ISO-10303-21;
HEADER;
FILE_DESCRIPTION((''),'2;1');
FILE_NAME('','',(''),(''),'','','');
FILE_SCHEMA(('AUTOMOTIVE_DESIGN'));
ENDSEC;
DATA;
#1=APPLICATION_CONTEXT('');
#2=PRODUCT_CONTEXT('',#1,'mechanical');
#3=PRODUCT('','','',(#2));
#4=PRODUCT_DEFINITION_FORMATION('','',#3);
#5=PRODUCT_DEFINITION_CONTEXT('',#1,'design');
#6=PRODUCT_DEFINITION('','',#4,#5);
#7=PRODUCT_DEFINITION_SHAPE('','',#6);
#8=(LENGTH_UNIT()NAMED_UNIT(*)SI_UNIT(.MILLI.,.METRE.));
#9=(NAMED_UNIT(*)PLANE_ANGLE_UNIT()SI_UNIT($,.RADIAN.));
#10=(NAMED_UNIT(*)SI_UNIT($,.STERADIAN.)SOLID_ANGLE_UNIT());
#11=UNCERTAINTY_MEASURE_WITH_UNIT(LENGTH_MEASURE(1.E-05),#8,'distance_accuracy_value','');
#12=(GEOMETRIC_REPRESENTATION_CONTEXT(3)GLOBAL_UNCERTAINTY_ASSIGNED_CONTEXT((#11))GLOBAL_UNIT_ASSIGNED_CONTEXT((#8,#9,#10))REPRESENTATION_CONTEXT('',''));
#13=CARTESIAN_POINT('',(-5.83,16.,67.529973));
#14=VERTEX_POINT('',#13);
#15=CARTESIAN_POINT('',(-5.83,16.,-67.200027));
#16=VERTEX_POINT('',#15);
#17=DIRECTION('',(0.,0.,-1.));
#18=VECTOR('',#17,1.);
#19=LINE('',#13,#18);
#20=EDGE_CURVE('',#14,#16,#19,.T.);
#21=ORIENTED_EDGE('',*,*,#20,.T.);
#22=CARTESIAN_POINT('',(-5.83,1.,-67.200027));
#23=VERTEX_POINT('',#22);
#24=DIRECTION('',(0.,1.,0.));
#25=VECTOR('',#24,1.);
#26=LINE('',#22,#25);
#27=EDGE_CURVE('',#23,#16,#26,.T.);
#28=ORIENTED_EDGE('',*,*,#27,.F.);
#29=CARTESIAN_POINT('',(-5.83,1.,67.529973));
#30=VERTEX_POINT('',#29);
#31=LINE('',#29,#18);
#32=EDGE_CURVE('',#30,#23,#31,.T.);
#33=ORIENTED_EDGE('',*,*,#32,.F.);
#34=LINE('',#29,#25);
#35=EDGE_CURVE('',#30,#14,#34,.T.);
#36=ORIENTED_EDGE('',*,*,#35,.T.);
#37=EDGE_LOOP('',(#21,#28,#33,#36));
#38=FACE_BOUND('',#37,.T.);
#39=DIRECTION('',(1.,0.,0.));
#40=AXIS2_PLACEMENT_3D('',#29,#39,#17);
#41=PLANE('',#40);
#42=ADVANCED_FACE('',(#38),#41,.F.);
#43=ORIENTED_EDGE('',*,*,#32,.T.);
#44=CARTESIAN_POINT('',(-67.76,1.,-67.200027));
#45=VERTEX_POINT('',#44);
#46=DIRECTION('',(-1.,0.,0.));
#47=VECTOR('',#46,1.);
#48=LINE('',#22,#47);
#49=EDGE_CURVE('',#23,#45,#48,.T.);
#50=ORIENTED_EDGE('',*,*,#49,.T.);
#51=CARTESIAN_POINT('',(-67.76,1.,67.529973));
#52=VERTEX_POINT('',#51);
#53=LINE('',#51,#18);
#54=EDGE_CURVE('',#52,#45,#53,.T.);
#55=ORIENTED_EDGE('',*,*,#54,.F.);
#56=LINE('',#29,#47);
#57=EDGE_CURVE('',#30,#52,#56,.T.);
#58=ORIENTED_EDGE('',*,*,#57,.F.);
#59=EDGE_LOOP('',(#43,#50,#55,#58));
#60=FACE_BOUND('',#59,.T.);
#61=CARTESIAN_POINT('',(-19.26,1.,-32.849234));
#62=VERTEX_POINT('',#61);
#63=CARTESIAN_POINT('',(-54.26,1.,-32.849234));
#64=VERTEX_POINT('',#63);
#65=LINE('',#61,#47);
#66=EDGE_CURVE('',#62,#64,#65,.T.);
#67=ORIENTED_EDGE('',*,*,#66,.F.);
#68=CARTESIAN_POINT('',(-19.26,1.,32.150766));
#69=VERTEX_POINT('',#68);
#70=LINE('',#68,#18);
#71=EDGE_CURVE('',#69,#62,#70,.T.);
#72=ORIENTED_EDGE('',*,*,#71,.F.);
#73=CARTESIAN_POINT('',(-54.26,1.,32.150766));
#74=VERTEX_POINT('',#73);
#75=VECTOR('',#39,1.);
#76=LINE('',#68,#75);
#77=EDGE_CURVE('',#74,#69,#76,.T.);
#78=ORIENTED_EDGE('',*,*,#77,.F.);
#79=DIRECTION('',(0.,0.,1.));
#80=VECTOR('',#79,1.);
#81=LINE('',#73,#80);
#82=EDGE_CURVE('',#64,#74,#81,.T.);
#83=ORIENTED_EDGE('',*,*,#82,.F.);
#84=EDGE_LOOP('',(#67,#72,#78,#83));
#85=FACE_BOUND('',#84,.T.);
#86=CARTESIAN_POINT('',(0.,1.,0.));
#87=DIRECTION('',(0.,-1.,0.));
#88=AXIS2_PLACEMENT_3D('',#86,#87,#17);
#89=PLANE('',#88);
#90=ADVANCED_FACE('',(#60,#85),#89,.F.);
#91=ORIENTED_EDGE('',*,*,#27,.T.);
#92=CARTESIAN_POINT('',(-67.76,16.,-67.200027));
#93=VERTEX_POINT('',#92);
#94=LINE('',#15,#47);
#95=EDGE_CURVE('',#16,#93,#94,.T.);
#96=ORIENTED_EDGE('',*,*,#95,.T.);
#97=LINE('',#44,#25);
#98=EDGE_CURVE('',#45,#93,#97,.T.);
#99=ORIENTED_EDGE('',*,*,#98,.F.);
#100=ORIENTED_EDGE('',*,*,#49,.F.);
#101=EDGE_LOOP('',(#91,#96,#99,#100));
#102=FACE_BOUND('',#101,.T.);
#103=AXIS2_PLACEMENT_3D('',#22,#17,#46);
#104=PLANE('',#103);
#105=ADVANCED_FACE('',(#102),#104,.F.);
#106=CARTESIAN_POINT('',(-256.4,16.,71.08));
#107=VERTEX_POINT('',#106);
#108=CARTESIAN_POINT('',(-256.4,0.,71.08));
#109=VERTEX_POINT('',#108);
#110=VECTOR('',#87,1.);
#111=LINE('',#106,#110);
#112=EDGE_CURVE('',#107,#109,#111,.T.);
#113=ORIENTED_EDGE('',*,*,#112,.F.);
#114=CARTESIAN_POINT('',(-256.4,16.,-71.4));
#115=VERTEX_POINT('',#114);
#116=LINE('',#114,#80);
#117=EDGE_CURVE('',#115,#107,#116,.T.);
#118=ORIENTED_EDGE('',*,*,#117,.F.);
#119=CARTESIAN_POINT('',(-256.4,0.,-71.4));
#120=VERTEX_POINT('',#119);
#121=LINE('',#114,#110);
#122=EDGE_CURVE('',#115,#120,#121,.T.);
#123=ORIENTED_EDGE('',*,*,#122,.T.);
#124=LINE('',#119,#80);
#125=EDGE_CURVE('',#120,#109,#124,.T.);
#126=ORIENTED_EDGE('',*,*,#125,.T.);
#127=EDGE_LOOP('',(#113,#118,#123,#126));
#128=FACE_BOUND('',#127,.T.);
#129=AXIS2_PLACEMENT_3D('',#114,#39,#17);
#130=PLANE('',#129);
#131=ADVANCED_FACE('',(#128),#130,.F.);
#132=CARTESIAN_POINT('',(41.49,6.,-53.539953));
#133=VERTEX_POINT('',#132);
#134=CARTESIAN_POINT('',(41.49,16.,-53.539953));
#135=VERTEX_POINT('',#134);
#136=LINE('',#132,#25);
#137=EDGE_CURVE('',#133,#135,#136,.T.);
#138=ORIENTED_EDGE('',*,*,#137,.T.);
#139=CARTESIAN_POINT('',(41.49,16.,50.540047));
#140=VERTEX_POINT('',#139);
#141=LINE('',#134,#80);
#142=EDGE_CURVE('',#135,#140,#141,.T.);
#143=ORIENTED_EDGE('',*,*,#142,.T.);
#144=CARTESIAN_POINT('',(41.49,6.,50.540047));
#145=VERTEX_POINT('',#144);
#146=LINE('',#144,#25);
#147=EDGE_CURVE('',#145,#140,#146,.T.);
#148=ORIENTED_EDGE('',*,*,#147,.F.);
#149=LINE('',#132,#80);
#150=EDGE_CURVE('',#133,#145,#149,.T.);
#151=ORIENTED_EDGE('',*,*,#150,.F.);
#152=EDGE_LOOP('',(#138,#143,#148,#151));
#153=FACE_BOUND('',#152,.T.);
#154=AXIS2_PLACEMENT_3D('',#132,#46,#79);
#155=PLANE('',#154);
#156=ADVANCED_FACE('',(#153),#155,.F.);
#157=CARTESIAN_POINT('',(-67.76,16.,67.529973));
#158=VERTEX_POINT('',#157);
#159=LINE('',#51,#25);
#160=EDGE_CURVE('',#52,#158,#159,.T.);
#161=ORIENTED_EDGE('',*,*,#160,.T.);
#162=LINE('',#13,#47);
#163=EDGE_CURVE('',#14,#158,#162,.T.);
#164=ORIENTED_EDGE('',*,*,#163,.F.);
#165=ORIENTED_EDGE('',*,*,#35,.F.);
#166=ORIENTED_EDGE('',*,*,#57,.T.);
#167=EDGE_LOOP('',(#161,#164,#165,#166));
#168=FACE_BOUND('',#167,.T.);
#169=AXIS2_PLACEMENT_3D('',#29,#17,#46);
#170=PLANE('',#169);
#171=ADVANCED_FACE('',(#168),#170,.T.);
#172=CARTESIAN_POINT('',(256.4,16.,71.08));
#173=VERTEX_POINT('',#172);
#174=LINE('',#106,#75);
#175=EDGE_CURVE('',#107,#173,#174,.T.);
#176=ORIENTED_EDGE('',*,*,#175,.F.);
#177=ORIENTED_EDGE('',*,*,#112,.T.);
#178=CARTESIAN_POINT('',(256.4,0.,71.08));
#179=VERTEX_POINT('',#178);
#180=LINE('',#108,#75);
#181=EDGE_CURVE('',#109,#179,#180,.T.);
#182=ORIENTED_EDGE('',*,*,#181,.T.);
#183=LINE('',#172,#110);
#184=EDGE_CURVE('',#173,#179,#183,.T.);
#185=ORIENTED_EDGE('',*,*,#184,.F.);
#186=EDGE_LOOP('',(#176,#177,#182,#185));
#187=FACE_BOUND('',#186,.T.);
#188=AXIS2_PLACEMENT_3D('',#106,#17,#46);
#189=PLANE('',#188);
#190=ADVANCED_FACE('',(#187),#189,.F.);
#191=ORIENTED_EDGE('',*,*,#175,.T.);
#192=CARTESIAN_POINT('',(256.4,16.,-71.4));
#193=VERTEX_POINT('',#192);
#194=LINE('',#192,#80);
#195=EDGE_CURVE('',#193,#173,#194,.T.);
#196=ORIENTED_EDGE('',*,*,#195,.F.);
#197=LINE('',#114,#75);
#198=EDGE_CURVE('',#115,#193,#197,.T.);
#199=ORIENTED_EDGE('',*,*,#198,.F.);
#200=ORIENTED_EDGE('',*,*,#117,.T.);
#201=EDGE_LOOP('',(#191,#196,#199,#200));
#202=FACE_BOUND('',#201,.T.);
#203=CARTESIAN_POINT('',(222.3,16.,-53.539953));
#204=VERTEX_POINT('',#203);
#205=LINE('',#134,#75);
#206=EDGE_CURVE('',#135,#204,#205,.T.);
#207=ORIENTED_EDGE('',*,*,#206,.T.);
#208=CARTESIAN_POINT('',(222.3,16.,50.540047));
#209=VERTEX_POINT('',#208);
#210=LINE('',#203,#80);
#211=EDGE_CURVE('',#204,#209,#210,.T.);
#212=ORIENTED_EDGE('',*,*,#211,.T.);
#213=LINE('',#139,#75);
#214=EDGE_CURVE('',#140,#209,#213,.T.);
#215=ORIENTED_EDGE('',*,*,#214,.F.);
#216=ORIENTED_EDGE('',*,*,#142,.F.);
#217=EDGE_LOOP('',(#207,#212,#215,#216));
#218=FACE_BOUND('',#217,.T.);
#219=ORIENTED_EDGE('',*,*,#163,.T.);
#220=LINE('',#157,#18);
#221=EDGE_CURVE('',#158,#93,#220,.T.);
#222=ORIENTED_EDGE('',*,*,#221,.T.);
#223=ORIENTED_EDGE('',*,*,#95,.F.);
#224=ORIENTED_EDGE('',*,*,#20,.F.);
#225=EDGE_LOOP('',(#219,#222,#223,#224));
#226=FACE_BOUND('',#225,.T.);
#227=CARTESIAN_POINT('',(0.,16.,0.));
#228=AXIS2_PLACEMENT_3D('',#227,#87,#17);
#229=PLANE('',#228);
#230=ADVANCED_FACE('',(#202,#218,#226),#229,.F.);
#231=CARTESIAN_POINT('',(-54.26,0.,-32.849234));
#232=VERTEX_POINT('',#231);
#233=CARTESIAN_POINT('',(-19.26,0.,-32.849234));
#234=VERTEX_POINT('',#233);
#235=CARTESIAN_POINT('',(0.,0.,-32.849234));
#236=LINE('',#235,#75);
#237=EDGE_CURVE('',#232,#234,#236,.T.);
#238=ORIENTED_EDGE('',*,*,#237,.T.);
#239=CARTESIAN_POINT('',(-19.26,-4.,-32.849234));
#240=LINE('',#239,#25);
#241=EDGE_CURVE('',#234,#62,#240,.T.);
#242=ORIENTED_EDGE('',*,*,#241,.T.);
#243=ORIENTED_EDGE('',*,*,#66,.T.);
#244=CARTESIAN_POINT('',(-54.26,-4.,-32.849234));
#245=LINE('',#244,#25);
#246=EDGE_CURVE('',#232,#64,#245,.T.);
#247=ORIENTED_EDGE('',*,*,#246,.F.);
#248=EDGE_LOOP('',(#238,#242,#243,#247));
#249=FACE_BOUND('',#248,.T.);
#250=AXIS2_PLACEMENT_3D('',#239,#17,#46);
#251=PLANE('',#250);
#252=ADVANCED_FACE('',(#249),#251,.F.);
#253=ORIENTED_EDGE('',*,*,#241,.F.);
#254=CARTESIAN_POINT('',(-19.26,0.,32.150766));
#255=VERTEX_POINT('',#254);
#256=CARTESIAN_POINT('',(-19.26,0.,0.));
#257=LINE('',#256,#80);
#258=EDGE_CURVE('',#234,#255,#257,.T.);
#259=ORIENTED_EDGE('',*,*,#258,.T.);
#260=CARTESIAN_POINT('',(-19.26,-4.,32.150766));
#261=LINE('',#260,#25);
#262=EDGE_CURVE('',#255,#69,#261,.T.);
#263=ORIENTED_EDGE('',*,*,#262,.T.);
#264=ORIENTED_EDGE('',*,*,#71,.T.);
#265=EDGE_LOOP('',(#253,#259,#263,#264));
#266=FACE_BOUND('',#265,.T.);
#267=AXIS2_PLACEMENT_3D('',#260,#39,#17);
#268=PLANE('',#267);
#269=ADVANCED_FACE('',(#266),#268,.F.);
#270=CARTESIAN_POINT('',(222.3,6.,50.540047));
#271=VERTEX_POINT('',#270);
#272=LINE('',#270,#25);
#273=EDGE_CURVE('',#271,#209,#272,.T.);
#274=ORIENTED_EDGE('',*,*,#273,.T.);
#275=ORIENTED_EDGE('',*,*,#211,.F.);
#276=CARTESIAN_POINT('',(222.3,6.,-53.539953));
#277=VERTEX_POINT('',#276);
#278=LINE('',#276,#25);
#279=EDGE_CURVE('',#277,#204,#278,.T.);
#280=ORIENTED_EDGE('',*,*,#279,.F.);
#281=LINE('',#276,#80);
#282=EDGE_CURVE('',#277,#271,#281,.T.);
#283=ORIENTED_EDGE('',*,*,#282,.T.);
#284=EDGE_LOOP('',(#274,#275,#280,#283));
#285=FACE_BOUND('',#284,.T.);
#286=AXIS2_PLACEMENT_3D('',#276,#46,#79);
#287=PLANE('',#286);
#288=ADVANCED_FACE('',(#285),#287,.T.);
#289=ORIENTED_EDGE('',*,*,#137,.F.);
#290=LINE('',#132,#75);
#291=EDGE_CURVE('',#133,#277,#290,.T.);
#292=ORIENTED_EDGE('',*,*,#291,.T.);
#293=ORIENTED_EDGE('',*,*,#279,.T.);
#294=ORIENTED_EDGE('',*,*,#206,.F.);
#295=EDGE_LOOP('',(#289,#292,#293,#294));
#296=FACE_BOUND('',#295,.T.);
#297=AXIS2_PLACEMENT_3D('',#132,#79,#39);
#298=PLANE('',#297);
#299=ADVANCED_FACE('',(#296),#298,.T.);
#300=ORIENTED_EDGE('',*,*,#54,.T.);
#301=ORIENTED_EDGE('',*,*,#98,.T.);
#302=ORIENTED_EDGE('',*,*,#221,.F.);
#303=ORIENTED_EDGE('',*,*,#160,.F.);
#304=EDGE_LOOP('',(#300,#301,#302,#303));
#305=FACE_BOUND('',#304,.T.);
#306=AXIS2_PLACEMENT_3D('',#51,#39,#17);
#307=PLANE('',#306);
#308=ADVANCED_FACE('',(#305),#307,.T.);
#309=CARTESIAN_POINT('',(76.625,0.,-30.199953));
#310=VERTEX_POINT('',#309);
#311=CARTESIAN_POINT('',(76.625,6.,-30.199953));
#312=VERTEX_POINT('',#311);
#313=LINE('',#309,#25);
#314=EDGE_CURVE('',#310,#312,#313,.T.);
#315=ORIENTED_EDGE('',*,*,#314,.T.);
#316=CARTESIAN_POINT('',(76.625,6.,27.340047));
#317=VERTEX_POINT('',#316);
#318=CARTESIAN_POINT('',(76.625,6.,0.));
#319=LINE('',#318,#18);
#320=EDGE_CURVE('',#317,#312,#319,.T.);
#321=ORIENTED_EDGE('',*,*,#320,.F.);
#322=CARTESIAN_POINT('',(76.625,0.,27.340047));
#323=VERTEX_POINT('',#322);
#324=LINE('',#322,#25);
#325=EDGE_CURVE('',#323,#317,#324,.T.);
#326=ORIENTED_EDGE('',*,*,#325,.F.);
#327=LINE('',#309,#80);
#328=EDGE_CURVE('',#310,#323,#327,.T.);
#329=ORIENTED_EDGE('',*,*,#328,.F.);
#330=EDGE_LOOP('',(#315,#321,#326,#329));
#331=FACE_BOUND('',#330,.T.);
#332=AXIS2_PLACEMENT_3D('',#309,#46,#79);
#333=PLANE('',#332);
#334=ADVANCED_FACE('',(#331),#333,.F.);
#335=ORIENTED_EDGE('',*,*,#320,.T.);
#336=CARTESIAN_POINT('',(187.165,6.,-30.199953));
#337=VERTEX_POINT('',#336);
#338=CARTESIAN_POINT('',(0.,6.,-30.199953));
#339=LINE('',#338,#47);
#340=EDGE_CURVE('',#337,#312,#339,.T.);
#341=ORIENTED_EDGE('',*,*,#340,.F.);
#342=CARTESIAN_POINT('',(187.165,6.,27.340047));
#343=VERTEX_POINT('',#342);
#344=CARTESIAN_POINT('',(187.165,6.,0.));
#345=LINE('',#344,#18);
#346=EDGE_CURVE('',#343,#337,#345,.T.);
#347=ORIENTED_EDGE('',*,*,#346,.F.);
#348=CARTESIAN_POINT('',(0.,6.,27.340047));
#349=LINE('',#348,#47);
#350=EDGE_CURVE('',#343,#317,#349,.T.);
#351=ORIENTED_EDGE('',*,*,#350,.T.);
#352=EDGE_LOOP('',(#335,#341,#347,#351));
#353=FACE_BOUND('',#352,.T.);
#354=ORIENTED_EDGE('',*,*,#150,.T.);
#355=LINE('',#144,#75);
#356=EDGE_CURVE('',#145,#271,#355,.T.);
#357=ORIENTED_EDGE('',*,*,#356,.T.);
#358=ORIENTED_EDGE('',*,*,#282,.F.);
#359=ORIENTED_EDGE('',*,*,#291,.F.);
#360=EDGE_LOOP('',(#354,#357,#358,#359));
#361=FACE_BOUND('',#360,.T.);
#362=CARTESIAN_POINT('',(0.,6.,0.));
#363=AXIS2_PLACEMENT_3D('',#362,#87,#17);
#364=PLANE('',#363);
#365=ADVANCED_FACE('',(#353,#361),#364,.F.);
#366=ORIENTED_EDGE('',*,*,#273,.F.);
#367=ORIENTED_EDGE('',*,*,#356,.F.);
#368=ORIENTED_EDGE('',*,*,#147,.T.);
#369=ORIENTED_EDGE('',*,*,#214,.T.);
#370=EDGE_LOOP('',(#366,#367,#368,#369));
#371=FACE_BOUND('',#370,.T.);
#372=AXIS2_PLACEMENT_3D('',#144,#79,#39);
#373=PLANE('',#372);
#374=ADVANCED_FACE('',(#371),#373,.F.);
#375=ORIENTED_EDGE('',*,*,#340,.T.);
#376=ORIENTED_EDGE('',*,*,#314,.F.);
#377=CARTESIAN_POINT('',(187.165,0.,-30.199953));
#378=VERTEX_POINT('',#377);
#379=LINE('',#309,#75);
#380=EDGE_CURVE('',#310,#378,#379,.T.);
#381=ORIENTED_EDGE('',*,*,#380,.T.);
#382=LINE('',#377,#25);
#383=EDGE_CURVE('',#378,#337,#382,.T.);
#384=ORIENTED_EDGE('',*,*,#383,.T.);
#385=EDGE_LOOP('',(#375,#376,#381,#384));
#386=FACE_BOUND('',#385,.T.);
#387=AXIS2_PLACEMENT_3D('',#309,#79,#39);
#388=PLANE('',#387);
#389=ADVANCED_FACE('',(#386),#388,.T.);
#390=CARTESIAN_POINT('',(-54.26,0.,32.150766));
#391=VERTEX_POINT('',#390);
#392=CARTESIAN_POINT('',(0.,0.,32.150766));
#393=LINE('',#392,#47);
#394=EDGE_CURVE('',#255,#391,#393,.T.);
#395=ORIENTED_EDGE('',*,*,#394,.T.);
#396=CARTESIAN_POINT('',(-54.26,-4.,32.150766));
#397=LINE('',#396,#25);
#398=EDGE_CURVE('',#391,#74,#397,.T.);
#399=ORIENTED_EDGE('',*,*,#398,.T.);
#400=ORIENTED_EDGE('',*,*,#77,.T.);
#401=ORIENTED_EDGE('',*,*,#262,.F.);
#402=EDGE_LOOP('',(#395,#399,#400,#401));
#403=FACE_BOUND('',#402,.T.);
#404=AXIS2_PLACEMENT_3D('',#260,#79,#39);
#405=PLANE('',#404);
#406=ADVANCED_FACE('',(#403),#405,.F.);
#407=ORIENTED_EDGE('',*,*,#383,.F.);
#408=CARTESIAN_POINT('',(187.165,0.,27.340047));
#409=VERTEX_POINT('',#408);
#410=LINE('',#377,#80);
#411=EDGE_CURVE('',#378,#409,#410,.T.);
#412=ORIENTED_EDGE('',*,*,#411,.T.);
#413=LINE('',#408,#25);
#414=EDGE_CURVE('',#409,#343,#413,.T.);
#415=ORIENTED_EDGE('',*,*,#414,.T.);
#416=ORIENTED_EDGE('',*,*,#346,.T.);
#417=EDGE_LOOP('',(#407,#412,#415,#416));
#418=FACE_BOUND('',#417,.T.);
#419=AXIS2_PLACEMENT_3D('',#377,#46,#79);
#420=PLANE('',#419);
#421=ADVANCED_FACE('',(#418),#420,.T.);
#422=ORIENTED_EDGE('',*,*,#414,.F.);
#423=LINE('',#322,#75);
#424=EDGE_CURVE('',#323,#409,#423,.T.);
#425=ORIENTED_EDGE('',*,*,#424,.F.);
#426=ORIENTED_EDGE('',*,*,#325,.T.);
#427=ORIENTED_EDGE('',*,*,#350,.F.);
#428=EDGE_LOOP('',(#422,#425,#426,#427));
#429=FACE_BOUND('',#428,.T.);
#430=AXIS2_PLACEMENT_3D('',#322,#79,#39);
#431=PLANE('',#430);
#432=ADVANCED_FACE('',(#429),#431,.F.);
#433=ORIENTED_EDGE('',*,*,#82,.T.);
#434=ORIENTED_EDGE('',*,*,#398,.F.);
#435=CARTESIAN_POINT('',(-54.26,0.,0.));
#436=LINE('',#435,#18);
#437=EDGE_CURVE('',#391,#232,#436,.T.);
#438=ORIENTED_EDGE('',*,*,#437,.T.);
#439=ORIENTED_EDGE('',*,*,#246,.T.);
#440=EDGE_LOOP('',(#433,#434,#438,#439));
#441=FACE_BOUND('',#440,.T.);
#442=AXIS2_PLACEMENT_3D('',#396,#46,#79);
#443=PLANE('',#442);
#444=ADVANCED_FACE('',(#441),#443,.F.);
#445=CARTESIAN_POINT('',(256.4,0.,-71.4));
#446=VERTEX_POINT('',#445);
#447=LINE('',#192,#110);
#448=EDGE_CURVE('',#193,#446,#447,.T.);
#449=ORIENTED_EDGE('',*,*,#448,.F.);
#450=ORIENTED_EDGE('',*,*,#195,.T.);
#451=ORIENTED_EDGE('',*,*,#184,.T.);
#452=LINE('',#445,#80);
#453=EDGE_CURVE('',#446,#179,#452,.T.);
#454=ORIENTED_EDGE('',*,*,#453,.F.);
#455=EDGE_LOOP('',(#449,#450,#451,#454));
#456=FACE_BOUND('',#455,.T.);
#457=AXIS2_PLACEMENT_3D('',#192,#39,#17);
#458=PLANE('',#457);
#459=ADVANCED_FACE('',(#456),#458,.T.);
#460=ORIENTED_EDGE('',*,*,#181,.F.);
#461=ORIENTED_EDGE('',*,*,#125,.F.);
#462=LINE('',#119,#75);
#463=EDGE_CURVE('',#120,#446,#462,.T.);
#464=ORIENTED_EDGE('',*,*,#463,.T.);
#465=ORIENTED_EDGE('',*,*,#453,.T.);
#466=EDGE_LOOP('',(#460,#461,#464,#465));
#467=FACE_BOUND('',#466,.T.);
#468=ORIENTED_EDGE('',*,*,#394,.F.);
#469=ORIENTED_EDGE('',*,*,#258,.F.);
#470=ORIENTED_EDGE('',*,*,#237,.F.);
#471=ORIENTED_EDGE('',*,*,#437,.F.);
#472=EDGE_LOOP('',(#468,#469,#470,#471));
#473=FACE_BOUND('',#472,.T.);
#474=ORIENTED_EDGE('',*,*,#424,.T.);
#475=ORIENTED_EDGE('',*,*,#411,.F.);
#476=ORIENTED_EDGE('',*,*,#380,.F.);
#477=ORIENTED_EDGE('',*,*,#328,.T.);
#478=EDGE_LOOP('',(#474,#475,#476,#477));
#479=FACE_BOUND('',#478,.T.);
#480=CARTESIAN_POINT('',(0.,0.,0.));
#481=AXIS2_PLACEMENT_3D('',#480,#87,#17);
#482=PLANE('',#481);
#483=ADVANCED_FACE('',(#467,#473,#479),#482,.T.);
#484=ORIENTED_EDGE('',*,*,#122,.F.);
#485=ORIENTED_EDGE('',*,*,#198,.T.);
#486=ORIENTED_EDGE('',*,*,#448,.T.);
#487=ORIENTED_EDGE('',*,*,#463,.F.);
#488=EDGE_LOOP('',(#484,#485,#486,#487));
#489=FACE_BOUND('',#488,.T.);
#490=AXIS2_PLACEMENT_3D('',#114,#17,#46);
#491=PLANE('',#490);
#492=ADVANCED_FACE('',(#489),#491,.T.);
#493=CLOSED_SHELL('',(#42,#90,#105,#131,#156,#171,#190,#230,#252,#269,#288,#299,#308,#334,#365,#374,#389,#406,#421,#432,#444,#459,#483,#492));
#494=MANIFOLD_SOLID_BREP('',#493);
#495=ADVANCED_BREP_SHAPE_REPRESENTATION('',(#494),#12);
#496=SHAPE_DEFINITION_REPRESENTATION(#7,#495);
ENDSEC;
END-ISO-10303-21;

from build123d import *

# Parameters (mm, degrees)
SKETCH1_W           = 512.8
SKETCH1_H           = 142.48
BOSS_EXTRUDE1_DEPTH = 16
SKETCH5_W           = 180.81
SKETCH5_H           = 104.08
CUT_EXTRUDE2_DEPTH  = 10
SKETCH6_W           = 110.54
SKETCH6_H           = 57.54
CUT_EXTRUDE3_DEPTH  = 267.636306605
SKETCH7_W           = 61.93
SKETCH7_H           = 134.73
CUT_EXTRUDE4_DEPTH  = 15
SKETCH8_W           = 35
SKETCH8_H           = 65
CUT_EXTRUDE5_DEPTH  = 5


with BuildPart() as part:
    # Sketch1 → Boss-Extrude1 (new body)
    with BuildSketch(Plane(origin=(0, 0, 0), x_dir=(1, 0, 0), z_dir=(0, 1, 0))):
        with Locations((0, 0.16)):
            Rectangle(SKETCH1_W, SKETCH1_H)
    extrude(amount=BOSS_EXTRUDE1_DEPTH)

    # Sketch5 → Cut-Extrude2 (cut)
    with BuildSketch(Plane(origin=(0, 16, 0), x_dir=(1, 0, 0), z_dir=(0, 1, 0))):
        with Locations((131.895, 1.499952895)):
            Rectangle(SKETCH5_W, SKETCH5_H)
    extrude(amount=-CUT_EXTRUDE2_DEPTH, mode=Mode.SUBTRACT)

    # Sketch6 → Cut-Extrude3 (cut, through all)
    with BuildSketch(Plane(origin=(0, 16, 0), x_dir=(1, 0, 0), z_dir=(0, 1, 0))):
        with Locations((131.895, 1.429952895)):
            Rectangle(SKETCH6_W, SKETCH6_H)
    extrude(amount=-CUT_EXTRUDE3_DEPTH, mode=Mode.SUBTRACT)

    # Sketch7 → Cut-Extrude4 (cut)
    with BuildSketch(Plane(origin=(0, 16, 0), x_dir=(1, 0, 0), z_dir=(0, 1, 0))):
        with Locations((-36.795, -0.164973308)):
            Rectangle(SKETCH7_W, SKETCH7_H)
    extrude(amount=-CUT_EXTRUDE4_DEPTH, mode=Mode.SUBTRACT)

    # Sketch8 → Cut-Extrude5 (cut)
    with BuildSketch(Plane(origin=(0, 1, 0), x_dir=(1, 0, 0), z_dir=(0, 1, 0))):
        with Locations((-36.76, 0.349234115)):
            Rectangle(SKETCH8_W, SKETCH8_H)
    extrude(amount=-CUT_EXTRUDE5_DEPTH, mode=Mode.SUBTRACT)


solid = part.part
